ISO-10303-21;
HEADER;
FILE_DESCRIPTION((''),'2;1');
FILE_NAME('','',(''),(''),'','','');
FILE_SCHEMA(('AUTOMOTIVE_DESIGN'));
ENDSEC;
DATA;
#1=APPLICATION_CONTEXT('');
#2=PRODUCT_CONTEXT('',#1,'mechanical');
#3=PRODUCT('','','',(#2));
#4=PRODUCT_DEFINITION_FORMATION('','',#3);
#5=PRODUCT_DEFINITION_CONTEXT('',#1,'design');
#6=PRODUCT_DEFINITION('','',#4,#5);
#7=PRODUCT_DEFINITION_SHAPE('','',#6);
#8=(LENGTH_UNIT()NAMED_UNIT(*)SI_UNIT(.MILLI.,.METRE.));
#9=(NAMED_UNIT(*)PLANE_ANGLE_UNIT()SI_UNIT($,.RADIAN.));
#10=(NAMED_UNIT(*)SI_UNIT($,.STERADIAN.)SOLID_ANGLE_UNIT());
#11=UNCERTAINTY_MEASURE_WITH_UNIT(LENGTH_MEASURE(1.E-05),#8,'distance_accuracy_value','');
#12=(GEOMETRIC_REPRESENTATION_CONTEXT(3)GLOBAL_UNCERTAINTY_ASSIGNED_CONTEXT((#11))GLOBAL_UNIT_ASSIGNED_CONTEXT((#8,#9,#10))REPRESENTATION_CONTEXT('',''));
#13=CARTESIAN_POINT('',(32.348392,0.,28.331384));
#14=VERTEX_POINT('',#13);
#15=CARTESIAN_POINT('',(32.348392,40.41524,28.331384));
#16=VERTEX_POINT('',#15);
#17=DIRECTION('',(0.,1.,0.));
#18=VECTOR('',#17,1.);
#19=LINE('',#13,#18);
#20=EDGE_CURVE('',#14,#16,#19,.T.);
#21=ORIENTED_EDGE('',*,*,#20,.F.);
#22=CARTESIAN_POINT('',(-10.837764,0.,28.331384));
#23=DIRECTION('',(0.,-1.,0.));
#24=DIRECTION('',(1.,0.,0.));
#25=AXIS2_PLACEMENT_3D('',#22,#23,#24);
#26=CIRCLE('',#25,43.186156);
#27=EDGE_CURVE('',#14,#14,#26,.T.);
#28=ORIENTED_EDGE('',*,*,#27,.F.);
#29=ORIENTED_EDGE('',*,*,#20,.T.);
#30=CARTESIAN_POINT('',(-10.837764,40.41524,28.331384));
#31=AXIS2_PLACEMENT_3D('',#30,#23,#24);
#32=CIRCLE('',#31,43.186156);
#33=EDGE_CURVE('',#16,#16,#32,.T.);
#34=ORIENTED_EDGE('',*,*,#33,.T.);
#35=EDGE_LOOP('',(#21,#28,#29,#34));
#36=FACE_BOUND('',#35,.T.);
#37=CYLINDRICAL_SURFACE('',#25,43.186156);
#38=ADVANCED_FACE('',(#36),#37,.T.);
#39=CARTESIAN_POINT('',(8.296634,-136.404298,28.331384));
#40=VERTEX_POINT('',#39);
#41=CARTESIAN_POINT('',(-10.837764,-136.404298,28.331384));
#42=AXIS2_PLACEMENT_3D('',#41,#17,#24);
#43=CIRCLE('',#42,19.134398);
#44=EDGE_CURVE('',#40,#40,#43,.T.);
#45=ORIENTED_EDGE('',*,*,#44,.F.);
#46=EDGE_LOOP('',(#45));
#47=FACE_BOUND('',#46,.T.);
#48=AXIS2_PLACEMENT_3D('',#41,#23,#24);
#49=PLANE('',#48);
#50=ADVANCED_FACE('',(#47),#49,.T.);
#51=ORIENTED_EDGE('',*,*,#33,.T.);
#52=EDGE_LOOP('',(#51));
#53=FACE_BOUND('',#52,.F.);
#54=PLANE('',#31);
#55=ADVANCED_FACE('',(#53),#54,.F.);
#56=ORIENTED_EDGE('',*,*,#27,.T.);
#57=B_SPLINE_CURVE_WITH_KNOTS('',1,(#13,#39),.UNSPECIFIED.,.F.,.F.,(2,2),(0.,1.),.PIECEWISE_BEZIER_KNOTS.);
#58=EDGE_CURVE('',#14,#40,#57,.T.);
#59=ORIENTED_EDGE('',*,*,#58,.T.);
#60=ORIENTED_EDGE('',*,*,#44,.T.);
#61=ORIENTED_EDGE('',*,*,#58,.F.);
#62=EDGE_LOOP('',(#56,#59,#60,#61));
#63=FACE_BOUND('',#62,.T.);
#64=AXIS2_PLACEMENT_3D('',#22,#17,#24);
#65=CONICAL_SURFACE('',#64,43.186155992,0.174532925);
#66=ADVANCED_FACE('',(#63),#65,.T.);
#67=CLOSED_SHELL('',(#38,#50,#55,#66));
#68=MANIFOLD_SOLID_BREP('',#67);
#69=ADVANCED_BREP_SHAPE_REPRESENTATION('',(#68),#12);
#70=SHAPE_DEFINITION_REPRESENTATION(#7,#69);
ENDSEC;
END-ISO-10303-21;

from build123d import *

# Parameters (mm, degrees)
F0_R          = 43.1861559917
F1_DEPTH      = 136.4042982459
F1_TAPER      = 10
F1_DEPTH_BACK = 40.4152404517


with BuildPart() as f1:
    # F0 (on Front) → F1 (new body, two sides)
    with BuildSketch(Plane.XZ) as f1_sk:
        with Locations((-10.8377635479, 28.3313840628)):
            Circle(F0_R)
    extrude(amount=F1_DEPTH, taper=F1_TAPER)
    extrude(f1_sk.sketch, amount=-F1_DEPTH_BACK)


solid = f1.part
